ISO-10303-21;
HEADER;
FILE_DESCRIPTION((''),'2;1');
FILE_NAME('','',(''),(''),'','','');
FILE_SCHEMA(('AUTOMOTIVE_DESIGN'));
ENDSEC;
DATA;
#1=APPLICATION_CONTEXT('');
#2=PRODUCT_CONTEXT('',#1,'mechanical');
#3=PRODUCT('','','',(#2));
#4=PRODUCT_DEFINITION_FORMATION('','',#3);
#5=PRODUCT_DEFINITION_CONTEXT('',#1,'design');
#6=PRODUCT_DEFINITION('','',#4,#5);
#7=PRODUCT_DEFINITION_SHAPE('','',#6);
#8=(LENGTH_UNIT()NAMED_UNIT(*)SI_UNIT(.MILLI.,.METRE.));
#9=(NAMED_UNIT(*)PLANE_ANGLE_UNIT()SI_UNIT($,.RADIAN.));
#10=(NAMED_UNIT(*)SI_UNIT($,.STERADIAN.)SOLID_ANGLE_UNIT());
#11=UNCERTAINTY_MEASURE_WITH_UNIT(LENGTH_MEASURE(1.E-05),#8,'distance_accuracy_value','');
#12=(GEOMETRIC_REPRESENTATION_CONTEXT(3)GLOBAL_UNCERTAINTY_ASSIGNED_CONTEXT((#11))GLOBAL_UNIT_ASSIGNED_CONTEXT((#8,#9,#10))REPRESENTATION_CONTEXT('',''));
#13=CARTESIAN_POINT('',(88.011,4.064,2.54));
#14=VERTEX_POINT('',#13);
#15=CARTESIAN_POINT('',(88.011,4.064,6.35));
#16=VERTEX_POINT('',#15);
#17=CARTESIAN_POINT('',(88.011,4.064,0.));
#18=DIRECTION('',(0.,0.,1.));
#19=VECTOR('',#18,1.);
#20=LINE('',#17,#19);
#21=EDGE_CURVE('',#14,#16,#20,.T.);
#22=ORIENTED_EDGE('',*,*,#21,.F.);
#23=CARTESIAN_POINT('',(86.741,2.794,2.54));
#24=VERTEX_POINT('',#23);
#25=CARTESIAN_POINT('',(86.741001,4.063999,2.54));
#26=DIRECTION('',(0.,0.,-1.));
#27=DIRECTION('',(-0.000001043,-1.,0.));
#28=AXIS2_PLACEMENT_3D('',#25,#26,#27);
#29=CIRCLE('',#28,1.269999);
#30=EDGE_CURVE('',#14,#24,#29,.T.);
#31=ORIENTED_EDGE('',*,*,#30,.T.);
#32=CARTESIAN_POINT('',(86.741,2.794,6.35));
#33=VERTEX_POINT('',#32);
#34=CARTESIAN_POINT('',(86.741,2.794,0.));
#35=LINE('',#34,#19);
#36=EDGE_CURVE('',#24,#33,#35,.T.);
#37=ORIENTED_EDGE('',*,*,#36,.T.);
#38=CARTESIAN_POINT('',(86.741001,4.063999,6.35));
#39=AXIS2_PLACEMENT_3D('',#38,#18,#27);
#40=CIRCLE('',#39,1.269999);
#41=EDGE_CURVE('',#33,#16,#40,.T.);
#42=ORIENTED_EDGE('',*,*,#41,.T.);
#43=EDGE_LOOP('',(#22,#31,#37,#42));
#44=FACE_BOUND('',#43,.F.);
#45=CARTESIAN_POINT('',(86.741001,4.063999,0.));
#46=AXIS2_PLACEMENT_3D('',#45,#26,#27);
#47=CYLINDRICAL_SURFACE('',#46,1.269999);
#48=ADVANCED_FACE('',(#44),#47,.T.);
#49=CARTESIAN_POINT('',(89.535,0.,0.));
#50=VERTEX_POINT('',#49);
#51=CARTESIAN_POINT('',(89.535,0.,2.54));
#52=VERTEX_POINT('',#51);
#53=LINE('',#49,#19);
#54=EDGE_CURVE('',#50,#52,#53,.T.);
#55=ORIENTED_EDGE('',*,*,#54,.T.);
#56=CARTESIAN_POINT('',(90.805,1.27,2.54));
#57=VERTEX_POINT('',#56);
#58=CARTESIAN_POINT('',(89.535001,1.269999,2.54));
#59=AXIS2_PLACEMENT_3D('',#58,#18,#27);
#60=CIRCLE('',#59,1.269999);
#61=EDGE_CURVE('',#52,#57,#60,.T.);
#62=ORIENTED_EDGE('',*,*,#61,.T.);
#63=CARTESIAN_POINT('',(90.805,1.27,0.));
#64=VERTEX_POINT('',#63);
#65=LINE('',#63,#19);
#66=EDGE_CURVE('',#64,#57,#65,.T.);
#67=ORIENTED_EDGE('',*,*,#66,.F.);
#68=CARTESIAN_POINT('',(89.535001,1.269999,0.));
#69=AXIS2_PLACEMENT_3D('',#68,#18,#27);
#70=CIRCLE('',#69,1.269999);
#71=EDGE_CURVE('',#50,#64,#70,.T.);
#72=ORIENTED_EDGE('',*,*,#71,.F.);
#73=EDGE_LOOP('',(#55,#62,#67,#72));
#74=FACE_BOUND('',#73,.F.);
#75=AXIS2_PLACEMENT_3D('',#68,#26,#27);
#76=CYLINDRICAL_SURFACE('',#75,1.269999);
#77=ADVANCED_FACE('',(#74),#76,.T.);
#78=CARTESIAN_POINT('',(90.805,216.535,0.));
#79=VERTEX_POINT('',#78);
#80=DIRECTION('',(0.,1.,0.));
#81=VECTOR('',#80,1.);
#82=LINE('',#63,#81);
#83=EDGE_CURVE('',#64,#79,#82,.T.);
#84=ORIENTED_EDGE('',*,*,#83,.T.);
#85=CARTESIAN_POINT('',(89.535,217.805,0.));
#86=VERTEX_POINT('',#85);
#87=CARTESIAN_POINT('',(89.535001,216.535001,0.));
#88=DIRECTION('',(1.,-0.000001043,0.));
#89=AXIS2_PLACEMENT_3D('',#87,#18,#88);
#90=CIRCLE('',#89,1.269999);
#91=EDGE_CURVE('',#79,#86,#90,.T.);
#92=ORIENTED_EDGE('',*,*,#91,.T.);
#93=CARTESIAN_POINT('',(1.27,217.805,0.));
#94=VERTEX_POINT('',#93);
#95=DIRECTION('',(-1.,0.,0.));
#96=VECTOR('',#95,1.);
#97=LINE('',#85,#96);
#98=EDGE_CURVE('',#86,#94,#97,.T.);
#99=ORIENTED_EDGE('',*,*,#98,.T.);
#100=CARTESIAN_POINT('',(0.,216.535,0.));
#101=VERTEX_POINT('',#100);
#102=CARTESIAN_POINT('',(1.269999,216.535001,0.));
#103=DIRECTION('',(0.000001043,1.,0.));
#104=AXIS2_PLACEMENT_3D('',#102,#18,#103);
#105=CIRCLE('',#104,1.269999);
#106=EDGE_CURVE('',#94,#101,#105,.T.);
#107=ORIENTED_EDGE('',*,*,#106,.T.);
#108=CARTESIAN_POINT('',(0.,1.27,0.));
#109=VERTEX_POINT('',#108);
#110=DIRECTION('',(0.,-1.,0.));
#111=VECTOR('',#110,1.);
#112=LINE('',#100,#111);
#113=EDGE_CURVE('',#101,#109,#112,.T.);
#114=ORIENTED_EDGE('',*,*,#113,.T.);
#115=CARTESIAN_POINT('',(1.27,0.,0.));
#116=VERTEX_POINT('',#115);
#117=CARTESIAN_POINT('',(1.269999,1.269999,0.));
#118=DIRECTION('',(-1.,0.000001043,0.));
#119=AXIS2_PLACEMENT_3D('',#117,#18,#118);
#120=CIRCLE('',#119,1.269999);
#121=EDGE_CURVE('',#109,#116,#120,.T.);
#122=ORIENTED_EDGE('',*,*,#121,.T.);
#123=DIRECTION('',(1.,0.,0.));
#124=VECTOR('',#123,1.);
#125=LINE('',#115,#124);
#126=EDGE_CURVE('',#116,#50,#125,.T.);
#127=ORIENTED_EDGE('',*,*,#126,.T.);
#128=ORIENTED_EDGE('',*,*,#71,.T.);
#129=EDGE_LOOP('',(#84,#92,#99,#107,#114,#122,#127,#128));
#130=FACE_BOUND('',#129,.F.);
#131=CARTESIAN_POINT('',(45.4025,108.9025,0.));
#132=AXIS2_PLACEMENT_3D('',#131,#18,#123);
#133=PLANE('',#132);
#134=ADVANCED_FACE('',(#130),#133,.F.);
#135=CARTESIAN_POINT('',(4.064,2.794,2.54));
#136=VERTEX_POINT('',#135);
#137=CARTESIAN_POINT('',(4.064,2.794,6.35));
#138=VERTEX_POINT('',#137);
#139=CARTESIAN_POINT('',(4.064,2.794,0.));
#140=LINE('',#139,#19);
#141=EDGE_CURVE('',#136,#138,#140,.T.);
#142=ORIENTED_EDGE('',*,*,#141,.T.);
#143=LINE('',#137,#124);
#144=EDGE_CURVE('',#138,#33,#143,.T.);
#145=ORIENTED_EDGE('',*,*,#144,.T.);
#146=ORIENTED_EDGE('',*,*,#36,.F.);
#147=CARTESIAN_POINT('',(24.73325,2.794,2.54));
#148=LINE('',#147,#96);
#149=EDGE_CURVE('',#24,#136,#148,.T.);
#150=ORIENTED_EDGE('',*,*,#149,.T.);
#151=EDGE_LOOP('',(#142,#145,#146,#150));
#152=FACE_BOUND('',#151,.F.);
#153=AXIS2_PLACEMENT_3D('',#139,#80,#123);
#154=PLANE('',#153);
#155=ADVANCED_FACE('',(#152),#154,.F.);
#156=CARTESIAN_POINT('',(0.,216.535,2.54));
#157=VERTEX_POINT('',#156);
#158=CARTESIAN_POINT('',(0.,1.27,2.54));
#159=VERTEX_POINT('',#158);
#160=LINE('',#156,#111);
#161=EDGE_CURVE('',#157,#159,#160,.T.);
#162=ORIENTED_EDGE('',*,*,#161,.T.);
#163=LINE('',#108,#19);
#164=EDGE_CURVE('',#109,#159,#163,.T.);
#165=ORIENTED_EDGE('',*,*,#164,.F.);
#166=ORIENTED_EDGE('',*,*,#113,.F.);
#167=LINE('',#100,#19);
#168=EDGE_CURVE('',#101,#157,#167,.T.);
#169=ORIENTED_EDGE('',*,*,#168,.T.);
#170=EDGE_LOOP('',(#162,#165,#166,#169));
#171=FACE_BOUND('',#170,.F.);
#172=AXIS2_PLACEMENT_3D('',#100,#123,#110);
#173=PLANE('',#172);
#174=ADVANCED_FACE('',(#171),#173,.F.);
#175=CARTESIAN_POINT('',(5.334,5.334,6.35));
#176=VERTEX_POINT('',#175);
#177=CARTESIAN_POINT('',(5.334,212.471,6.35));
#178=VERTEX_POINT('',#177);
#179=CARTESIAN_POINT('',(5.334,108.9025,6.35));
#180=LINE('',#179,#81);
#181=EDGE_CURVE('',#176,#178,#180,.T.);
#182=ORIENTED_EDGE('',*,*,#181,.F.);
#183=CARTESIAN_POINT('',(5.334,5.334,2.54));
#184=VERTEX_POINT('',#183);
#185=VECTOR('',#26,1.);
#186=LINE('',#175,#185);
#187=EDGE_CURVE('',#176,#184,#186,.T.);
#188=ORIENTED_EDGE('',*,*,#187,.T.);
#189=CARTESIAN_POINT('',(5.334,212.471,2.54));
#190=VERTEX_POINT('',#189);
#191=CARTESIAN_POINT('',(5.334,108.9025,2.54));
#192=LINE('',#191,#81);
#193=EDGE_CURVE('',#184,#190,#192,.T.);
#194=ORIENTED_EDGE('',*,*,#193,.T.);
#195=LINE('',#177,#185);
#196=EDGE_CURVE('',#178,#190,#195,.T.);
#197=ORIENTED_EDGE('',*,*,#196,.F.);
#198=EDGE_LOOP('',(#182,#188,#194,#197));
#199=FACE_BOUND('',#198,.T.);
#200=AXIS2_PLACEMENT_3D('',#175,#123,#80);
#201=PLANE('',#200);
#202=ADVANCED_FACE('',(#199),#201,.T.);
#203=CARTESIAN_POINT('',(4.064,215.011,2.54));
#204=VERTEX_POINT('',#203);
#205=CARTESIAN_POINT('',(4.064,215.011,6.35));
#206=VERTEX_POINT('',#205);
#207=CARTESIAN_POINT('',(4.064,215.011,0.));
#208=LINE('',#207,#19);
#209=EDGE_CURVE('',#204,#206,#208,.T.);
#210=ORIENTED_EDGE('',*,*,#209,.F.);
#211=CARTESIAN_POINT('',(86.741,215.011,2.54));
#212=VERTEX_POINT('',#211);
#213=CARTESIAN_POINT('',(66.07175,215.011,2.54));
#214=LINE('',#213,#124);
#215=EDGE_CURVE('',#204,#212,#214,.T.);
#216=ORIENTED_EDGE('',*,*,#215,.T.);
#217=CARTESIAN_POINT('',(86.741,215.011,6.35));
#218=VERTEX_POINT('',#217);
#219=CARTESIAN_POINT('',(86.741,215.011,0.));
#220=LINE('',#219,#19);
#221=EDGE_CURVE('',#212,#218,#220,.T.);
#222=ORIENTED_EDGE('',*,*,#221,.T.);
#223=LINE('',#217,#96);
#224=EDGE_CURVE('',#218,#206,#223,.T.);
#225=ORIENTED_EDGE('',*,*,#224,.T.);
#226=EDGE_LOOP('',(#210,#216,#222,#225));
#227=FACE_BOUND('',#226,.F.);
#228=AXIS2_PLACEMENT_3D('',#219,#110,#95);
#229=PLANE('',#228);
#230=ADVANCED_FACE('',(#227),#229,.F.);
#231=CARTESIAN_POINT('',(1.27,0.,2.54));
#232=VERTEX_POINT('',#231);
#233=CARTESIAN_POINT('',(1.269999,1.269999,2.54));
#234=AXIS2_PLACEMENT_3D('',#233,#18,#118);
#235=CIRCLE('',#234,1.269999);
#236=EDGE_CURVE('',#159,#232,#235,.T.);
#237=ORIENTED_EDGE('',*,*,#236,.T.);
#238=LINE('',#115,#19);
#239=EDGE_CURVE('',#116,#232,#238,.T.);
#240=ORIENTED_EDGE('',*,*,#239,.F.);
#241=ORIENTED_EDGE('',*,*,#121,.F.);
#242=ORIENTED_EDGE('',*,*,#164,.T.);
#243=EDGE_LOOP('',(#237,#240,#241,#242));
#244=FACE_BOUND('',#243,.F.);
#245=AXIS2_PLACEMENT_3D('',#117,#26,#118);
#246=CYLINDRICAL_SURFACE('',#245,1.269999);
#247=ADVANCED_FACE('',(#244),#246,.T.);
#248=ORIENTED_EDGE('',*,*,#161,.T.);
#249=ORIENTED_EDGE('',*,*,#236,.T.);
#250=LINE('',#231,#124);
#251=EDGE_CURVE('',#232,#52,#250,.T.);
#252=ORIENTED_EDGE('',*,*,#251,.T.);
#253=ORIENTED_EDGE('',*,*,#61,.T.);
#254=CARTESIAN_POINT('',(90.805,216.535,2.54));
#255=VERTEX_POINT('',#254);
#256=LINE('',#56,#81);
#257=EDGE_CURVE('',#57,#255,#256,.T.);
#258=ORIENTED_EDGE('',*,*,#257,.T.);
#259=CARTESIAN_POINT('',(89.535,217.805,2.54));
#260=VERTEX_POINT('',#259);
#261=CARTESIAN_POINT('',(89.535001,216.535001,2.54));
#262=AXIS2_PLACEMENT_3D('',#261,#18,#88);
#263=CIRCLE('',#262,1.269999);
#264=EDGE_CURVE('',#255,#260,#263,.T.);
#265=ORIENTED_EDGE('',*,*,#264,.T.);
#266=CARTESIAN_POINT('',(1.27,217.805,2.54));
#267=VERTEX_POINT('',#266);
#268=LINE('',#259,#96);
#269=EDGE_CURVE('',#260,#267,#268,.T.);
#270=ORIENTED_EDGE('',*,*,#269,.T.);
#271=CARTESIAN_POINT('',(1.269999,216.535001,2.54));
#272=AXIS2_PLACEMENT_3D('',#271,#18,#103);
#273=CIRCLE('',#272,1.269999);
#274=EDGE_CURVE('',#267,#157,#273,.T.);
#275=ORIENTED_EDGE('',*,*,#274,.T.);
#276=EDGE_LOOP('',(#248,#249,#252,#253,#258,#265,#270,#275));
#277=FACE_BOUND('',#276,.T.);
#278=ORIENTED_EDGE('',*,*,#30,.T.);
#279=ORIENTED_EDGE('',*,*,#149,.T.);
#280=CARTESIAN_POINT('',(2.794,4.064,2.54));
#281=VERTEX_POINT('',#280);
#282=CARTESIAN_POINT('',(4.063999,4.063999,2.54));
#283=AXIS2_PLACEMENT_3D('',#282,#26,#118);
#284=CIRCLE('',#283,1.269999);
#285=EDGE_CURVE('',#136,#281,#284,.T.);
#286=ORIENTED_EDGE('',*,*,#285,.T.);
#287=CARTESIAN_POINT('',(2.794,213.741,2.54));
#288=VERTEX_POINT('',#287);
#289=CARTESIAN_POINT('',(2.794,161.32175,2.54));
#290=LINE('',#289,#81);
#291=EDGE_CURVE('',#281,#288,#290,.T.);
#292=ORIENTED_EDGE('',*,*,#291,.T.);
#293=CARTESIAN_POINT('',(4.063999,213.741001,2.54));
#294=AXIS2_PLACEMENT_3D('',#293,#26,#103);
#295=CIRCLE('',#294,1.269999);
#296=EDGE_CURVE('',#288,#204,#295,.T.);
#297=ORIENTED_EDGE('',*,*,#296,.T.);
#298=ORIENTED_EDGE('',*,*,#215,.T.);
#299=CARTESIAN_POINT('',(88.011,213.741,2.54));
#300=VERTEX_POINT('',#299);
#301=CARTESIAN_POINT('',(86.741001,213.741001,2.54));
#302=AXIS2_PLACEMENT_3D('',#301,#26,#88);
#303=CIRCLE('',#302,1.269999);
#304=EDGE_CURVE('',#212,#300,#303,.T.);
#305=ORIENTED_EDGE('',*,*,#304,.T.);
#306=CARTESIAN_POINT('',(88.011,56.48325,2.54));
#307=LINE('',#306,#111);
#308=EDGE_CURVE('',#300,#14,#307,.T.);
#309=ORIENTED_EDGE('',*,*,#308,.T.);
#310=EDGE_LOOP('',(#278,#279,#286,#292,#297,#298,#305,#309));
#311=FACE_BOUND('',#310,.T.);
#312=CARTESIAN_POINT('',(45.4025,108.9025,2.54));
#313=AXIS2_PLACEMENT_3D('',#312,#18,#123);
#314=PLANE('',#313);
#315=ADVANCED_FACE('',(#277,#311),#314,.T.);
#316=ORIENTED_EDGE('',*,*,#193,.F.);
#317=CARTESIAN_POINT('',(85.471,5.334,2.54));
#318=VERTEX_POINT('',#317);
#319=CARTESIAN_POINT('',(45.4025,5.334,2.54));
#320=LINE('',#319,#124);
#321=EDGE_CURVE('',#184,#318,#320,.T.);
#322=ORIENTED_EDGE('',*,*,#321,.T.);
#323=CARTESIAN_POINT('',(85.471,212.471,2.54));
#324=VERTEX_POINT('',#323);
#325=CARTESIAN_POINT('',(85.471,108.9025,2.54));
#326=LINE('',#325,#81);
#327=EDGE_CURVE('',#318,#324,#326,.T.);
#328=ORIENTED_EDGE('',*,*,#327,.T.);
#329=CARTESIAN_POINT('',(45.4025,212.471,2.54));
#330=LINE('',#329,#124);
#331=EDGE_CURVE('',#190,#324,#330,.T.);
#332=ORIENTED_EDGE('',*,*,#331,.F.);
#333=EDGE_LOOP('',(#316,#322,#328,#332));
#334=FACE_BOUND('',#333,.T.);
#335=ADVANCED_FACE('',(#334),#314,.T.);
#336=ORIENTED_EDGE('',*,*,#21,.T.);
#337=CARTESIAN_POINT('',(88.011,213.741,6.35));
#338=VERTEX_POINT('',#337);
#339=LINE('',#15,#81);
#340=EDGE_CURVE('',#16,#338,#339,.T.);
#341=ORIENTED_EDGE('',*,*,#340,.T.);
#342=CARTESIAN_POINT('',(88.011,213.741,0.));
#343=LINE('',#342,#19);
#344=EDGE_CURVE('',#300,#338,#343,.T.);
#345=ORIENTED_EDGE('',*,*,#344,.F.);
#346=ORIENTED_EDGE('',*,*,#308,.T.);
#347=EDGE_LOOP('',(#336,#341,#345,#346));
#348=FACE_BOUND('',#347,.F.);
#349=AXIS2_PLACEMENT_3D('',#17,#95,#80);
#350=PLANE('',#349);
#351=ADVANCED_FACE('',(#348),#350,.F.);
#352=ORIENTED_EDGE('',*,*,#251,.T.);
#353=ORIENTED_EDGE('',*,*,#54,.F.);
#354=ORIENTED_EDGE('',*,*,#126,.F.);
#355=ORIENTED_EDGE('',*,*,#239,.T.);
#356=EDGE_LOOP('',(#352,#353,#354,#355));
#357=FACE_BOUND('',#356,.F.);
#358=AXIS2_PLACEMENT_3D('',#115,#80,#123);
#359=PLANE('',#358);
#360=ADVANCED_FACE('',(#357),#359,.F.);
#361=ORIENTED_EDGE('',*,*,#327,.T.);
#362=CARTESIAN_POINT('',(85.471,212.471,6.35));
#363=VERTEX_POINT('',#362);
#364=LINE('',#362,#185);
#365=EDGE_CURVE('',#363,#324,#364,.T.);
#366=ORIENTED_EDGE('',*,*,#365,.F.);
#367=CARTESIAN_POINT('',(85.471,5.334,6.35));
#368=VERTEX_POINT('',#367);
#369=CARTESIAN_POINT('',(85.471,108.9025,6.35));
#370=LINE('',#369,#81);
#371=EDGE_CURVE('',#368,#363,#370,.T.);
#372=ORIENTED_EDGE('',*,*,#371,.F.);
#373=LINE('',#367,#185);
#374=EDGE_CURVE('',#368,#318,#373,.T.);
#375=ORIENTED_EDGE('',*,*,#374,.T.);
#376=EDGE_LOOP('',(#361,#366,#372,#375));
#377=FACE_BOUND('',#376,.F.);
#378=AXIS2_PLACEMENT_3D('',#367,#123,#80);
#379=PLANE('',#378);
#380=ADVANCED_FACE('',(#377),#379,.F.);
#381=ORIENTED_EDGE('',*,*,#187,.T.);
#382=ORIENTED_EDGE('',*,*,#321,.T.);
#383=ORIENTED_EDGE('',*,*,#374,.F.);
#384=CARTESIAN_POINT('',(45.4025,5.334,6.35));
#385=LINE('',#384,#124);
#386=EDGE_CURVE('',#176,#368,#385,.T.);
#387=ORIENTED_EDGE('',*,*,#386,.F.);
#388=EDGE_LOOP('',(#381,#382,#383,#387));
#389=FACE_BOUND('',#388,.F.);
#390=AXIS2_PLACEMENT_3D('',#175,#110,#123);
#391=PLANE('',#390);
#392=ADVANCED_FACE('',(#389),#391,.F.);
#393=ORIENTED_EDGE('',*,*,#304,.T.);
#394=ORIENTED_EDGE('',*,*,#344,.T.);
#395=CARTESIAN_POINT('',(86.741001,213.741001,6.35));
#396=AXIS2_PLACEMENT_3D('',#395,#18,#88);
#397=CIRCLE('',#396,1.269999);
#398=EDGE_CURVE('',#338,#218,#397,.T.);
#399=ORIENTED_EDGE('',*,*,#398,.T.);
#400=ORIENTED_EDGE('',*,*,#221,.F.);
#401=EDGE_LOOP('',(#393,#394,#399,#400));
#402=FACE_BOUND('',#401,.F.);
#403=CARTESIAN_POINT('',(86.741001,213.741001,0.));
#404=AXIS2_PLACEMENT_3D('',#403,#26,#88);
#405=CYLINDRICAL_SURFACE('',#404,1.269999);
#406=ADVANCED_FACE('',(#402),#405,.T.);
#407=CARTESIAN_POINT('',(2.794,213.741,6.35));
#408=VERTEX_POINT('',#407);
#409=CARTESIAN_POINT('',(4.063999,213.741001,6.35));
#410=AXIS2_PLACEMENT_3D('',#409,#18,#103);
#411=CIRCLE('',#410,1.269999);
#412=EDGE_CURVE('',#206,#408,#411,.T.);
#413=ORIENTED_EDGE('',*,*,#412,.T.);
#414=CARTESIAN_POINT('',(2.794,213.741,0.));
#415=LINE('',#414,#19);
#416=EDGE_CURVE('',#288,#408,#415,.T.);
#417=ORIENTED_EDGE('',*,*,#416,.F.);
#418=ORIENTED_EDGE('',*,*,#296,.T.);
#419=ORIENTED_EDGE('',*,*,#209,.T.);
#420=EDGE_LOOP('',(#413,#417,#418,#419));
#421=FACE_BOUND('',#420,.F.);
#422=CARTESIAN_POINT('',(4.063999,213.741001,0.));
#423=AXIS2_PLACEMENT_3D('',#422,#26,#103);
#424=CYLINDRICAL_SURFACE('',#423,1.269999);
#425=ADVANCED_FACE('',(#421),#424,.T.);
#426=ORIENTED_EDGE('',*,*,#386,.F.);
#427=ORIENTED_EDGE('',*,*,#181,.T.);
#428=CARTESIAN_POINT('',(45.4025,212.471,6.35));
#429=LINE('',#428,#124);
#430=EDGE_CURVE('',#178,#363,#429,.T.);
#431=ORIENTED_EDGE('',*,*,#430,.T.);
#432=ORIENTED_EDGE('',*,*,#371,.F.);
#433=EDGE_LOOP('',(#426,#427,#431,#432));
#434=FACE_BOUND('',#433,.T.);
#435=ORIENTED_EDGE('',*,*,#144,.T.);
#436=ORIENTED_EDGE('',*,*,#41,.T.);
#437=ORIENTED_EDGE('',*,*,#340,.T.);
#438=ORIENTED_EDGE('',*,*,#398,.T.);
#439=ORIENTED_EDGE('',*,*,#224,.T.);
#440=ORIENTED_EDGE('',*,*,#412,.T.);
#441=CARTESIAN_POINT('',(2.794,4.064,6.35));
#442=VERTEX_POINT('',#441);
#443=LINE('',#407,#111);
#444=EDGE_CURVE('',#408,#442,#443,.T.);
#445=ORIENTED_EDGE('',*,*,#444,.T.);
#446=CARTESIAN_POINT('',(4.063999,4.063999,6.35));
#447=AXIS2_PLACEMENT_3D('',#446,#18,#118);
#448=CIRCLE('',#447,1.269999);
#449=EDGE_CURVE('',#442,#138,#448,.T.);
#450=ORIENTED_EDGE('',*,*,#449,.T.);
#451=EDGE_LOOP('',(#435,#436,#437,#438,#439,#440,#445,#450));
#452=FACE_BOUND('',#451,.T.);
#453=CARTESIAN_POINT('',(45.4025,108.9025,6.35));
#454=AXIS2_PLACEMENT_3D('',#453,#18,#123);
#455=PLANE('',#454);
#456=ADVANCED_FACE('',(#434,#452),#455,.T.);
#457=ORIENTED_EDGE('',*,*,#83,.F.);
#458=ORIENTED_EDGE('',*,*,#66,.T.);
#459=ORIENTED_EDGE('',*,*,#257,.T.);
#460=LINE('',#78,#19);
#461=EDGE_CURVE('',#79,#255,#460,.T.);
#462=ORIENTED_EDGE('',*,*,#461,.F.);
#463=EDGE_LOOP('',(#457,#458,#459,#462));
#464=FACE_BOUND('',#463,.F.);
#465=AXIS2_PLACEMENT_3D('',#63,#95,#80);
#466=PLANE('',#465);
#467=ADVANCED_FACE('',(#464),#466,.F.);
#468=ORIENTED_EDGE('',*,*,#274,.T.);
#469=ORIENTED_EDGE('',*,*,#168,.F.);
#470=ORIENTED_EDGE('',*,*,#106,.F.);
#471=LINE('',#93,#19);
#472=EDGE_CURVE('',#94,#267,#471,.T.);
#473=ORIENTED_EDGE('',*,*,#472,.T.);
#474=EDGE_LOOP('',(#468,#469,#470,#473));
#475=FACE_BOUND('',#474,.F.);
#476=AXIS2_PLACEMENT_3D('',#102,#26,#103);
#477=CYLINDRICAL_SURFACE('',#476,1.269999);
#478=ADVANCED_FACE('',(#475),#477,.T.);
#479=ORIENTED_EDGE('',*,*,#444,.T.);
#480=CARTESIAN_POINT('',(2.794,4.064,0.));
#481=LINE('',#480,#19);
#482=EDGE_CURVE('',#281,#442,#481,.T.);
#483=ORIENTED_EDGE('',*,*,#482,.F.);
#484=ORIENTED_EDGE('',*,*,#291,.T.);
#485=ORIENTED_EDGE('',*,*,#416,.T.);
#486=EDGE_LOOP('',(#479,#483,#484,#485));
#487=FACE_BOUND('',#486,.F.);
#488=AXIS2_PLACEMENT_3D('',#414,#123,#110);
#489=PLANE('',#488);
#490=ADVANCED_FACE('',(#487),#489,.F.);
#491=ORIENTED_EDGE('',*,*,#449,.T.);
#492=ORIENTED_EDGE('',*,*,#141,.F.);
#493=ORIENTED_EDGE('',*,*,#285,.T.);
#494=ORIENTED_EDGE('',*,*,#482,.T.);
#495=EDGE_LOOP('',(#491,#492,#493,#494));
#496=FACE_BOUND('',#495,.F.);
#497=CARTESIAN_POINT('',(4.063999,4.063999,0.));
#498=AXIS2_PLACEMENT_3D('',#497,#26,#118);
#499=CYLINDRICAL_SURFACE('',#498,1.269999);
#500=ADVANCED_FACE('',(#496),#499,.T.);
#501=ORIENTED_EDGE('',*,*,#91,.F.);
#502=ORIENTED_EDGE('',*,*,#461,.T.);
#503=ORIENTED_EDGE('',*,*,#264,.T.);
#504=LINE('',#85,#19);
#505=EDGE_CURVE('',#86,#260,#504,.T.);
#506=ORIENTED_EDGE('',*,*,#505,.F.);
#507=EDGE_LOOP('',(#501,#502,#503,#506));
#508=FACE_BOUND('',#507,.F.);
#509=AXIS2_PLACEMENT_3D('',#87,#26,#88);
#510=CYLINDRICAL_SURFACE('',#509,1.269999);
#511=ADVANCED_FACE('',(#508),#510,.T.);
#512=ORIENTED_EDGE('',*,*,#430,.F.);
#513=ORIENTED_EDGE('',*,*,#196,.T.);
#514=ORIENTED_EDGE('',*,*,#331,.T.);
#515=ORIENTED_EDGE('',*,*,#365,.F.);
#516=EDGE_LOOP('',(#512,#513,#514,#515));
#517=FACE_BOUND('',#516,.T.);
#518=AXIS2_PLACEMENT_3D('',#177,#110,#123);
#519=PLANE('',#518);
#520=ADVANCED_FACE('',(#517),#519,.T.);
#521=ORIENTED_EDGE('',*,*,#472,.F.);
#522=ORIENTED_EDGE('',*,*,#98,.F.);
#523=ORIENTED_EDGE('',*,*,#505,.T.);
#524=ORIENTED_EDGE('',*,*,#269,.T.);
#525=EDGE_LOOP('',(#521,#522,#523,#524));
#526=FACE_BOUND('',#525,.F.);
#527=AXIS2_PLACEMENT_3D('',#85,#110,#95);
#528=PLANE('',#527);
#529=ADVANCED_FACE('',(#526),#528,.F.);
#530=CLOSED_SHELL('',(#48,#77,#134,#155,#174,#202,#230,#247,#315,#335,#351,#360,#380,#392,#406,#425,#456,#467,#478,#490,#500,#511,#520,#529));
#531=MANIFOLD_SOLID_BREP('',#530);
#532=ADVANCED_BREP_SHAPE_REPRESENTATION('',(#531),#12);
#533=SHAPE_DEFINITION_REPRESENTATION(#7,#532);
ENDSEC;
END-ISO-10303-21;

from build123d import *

# Parameters (mm, degrees)
F1_DEPTH = 2.54
F3_DEPTH = 6.35
F4_W     = 80.137
F4_H     = 207.137
F5_DEPTH = 3.81


with BuildPart() as f1:
    # F0 (on Top) → F1 (new body)
    with BuildSketch(Plane.XY):
        with BuildLine():
            ThreePointArc((0, 1.27), (0.371974, 0.371974), (1.27, 0))
            Line((1.27, 0), (89.535, 0))
            ThreePointArc((89.535, 0), (90.433026, 0.371974), (90.805, 1.27))
            Line((90.805, 1.27), (90.805, 216.535))
            ThreePointArc((90.805, 216.535), (90.433026, 217.433026), (89.535, 217.805))
            Line((89.535, 217.805), (1.27, 217.805))
            ThreePointArc((1.27, 217.805), (0.371974, 217.433026), (0, 216.535))
            Line((0, 216.535), (0, 1.27))
        make_face()
    extrude(amount=F1_DEPTH)

    # F2 (on Top) → F3 (join)
    with BuildSketch(Plane.XY):
        with BuildLine():
            Line((2.794, 213.741), (2.794, 4.064))
            ThreePointArc((2.794, 4.064), (3.165974, 3.165974), (4.064, 2.794))
            Line((4.064, 2.794), (86.741, 2.794))
            ThreePointArc((86.741, 2.794), (87.639026, 3.165974), (88.011, 4.064))
            Line((88.011, 4.064), (88.011, 213.741))
            ThreePointArc((88.011, 213.741), (87.639026, 214.639026), (86.741, 215.011))
            Line((86.741, 215.011), (4.064, 215.011))
            ThreePointArc((4.064, 215.011), (3.165974, 214.639026), (2.794, 213.741))
        make_face()
    extrude(amount=F3_DEPTH)

    # F4 (on face) → F5 (cut)
    with BuildSketch(Plane.XY.offset(6.35)):
        with Locations((45.4025, 108.9025)):
            Rectangle(F4_W, F4_H)
    extrude(amount=-F5_DEPTH, mode=Mode.SUBTRACT)


solid = f1.part
